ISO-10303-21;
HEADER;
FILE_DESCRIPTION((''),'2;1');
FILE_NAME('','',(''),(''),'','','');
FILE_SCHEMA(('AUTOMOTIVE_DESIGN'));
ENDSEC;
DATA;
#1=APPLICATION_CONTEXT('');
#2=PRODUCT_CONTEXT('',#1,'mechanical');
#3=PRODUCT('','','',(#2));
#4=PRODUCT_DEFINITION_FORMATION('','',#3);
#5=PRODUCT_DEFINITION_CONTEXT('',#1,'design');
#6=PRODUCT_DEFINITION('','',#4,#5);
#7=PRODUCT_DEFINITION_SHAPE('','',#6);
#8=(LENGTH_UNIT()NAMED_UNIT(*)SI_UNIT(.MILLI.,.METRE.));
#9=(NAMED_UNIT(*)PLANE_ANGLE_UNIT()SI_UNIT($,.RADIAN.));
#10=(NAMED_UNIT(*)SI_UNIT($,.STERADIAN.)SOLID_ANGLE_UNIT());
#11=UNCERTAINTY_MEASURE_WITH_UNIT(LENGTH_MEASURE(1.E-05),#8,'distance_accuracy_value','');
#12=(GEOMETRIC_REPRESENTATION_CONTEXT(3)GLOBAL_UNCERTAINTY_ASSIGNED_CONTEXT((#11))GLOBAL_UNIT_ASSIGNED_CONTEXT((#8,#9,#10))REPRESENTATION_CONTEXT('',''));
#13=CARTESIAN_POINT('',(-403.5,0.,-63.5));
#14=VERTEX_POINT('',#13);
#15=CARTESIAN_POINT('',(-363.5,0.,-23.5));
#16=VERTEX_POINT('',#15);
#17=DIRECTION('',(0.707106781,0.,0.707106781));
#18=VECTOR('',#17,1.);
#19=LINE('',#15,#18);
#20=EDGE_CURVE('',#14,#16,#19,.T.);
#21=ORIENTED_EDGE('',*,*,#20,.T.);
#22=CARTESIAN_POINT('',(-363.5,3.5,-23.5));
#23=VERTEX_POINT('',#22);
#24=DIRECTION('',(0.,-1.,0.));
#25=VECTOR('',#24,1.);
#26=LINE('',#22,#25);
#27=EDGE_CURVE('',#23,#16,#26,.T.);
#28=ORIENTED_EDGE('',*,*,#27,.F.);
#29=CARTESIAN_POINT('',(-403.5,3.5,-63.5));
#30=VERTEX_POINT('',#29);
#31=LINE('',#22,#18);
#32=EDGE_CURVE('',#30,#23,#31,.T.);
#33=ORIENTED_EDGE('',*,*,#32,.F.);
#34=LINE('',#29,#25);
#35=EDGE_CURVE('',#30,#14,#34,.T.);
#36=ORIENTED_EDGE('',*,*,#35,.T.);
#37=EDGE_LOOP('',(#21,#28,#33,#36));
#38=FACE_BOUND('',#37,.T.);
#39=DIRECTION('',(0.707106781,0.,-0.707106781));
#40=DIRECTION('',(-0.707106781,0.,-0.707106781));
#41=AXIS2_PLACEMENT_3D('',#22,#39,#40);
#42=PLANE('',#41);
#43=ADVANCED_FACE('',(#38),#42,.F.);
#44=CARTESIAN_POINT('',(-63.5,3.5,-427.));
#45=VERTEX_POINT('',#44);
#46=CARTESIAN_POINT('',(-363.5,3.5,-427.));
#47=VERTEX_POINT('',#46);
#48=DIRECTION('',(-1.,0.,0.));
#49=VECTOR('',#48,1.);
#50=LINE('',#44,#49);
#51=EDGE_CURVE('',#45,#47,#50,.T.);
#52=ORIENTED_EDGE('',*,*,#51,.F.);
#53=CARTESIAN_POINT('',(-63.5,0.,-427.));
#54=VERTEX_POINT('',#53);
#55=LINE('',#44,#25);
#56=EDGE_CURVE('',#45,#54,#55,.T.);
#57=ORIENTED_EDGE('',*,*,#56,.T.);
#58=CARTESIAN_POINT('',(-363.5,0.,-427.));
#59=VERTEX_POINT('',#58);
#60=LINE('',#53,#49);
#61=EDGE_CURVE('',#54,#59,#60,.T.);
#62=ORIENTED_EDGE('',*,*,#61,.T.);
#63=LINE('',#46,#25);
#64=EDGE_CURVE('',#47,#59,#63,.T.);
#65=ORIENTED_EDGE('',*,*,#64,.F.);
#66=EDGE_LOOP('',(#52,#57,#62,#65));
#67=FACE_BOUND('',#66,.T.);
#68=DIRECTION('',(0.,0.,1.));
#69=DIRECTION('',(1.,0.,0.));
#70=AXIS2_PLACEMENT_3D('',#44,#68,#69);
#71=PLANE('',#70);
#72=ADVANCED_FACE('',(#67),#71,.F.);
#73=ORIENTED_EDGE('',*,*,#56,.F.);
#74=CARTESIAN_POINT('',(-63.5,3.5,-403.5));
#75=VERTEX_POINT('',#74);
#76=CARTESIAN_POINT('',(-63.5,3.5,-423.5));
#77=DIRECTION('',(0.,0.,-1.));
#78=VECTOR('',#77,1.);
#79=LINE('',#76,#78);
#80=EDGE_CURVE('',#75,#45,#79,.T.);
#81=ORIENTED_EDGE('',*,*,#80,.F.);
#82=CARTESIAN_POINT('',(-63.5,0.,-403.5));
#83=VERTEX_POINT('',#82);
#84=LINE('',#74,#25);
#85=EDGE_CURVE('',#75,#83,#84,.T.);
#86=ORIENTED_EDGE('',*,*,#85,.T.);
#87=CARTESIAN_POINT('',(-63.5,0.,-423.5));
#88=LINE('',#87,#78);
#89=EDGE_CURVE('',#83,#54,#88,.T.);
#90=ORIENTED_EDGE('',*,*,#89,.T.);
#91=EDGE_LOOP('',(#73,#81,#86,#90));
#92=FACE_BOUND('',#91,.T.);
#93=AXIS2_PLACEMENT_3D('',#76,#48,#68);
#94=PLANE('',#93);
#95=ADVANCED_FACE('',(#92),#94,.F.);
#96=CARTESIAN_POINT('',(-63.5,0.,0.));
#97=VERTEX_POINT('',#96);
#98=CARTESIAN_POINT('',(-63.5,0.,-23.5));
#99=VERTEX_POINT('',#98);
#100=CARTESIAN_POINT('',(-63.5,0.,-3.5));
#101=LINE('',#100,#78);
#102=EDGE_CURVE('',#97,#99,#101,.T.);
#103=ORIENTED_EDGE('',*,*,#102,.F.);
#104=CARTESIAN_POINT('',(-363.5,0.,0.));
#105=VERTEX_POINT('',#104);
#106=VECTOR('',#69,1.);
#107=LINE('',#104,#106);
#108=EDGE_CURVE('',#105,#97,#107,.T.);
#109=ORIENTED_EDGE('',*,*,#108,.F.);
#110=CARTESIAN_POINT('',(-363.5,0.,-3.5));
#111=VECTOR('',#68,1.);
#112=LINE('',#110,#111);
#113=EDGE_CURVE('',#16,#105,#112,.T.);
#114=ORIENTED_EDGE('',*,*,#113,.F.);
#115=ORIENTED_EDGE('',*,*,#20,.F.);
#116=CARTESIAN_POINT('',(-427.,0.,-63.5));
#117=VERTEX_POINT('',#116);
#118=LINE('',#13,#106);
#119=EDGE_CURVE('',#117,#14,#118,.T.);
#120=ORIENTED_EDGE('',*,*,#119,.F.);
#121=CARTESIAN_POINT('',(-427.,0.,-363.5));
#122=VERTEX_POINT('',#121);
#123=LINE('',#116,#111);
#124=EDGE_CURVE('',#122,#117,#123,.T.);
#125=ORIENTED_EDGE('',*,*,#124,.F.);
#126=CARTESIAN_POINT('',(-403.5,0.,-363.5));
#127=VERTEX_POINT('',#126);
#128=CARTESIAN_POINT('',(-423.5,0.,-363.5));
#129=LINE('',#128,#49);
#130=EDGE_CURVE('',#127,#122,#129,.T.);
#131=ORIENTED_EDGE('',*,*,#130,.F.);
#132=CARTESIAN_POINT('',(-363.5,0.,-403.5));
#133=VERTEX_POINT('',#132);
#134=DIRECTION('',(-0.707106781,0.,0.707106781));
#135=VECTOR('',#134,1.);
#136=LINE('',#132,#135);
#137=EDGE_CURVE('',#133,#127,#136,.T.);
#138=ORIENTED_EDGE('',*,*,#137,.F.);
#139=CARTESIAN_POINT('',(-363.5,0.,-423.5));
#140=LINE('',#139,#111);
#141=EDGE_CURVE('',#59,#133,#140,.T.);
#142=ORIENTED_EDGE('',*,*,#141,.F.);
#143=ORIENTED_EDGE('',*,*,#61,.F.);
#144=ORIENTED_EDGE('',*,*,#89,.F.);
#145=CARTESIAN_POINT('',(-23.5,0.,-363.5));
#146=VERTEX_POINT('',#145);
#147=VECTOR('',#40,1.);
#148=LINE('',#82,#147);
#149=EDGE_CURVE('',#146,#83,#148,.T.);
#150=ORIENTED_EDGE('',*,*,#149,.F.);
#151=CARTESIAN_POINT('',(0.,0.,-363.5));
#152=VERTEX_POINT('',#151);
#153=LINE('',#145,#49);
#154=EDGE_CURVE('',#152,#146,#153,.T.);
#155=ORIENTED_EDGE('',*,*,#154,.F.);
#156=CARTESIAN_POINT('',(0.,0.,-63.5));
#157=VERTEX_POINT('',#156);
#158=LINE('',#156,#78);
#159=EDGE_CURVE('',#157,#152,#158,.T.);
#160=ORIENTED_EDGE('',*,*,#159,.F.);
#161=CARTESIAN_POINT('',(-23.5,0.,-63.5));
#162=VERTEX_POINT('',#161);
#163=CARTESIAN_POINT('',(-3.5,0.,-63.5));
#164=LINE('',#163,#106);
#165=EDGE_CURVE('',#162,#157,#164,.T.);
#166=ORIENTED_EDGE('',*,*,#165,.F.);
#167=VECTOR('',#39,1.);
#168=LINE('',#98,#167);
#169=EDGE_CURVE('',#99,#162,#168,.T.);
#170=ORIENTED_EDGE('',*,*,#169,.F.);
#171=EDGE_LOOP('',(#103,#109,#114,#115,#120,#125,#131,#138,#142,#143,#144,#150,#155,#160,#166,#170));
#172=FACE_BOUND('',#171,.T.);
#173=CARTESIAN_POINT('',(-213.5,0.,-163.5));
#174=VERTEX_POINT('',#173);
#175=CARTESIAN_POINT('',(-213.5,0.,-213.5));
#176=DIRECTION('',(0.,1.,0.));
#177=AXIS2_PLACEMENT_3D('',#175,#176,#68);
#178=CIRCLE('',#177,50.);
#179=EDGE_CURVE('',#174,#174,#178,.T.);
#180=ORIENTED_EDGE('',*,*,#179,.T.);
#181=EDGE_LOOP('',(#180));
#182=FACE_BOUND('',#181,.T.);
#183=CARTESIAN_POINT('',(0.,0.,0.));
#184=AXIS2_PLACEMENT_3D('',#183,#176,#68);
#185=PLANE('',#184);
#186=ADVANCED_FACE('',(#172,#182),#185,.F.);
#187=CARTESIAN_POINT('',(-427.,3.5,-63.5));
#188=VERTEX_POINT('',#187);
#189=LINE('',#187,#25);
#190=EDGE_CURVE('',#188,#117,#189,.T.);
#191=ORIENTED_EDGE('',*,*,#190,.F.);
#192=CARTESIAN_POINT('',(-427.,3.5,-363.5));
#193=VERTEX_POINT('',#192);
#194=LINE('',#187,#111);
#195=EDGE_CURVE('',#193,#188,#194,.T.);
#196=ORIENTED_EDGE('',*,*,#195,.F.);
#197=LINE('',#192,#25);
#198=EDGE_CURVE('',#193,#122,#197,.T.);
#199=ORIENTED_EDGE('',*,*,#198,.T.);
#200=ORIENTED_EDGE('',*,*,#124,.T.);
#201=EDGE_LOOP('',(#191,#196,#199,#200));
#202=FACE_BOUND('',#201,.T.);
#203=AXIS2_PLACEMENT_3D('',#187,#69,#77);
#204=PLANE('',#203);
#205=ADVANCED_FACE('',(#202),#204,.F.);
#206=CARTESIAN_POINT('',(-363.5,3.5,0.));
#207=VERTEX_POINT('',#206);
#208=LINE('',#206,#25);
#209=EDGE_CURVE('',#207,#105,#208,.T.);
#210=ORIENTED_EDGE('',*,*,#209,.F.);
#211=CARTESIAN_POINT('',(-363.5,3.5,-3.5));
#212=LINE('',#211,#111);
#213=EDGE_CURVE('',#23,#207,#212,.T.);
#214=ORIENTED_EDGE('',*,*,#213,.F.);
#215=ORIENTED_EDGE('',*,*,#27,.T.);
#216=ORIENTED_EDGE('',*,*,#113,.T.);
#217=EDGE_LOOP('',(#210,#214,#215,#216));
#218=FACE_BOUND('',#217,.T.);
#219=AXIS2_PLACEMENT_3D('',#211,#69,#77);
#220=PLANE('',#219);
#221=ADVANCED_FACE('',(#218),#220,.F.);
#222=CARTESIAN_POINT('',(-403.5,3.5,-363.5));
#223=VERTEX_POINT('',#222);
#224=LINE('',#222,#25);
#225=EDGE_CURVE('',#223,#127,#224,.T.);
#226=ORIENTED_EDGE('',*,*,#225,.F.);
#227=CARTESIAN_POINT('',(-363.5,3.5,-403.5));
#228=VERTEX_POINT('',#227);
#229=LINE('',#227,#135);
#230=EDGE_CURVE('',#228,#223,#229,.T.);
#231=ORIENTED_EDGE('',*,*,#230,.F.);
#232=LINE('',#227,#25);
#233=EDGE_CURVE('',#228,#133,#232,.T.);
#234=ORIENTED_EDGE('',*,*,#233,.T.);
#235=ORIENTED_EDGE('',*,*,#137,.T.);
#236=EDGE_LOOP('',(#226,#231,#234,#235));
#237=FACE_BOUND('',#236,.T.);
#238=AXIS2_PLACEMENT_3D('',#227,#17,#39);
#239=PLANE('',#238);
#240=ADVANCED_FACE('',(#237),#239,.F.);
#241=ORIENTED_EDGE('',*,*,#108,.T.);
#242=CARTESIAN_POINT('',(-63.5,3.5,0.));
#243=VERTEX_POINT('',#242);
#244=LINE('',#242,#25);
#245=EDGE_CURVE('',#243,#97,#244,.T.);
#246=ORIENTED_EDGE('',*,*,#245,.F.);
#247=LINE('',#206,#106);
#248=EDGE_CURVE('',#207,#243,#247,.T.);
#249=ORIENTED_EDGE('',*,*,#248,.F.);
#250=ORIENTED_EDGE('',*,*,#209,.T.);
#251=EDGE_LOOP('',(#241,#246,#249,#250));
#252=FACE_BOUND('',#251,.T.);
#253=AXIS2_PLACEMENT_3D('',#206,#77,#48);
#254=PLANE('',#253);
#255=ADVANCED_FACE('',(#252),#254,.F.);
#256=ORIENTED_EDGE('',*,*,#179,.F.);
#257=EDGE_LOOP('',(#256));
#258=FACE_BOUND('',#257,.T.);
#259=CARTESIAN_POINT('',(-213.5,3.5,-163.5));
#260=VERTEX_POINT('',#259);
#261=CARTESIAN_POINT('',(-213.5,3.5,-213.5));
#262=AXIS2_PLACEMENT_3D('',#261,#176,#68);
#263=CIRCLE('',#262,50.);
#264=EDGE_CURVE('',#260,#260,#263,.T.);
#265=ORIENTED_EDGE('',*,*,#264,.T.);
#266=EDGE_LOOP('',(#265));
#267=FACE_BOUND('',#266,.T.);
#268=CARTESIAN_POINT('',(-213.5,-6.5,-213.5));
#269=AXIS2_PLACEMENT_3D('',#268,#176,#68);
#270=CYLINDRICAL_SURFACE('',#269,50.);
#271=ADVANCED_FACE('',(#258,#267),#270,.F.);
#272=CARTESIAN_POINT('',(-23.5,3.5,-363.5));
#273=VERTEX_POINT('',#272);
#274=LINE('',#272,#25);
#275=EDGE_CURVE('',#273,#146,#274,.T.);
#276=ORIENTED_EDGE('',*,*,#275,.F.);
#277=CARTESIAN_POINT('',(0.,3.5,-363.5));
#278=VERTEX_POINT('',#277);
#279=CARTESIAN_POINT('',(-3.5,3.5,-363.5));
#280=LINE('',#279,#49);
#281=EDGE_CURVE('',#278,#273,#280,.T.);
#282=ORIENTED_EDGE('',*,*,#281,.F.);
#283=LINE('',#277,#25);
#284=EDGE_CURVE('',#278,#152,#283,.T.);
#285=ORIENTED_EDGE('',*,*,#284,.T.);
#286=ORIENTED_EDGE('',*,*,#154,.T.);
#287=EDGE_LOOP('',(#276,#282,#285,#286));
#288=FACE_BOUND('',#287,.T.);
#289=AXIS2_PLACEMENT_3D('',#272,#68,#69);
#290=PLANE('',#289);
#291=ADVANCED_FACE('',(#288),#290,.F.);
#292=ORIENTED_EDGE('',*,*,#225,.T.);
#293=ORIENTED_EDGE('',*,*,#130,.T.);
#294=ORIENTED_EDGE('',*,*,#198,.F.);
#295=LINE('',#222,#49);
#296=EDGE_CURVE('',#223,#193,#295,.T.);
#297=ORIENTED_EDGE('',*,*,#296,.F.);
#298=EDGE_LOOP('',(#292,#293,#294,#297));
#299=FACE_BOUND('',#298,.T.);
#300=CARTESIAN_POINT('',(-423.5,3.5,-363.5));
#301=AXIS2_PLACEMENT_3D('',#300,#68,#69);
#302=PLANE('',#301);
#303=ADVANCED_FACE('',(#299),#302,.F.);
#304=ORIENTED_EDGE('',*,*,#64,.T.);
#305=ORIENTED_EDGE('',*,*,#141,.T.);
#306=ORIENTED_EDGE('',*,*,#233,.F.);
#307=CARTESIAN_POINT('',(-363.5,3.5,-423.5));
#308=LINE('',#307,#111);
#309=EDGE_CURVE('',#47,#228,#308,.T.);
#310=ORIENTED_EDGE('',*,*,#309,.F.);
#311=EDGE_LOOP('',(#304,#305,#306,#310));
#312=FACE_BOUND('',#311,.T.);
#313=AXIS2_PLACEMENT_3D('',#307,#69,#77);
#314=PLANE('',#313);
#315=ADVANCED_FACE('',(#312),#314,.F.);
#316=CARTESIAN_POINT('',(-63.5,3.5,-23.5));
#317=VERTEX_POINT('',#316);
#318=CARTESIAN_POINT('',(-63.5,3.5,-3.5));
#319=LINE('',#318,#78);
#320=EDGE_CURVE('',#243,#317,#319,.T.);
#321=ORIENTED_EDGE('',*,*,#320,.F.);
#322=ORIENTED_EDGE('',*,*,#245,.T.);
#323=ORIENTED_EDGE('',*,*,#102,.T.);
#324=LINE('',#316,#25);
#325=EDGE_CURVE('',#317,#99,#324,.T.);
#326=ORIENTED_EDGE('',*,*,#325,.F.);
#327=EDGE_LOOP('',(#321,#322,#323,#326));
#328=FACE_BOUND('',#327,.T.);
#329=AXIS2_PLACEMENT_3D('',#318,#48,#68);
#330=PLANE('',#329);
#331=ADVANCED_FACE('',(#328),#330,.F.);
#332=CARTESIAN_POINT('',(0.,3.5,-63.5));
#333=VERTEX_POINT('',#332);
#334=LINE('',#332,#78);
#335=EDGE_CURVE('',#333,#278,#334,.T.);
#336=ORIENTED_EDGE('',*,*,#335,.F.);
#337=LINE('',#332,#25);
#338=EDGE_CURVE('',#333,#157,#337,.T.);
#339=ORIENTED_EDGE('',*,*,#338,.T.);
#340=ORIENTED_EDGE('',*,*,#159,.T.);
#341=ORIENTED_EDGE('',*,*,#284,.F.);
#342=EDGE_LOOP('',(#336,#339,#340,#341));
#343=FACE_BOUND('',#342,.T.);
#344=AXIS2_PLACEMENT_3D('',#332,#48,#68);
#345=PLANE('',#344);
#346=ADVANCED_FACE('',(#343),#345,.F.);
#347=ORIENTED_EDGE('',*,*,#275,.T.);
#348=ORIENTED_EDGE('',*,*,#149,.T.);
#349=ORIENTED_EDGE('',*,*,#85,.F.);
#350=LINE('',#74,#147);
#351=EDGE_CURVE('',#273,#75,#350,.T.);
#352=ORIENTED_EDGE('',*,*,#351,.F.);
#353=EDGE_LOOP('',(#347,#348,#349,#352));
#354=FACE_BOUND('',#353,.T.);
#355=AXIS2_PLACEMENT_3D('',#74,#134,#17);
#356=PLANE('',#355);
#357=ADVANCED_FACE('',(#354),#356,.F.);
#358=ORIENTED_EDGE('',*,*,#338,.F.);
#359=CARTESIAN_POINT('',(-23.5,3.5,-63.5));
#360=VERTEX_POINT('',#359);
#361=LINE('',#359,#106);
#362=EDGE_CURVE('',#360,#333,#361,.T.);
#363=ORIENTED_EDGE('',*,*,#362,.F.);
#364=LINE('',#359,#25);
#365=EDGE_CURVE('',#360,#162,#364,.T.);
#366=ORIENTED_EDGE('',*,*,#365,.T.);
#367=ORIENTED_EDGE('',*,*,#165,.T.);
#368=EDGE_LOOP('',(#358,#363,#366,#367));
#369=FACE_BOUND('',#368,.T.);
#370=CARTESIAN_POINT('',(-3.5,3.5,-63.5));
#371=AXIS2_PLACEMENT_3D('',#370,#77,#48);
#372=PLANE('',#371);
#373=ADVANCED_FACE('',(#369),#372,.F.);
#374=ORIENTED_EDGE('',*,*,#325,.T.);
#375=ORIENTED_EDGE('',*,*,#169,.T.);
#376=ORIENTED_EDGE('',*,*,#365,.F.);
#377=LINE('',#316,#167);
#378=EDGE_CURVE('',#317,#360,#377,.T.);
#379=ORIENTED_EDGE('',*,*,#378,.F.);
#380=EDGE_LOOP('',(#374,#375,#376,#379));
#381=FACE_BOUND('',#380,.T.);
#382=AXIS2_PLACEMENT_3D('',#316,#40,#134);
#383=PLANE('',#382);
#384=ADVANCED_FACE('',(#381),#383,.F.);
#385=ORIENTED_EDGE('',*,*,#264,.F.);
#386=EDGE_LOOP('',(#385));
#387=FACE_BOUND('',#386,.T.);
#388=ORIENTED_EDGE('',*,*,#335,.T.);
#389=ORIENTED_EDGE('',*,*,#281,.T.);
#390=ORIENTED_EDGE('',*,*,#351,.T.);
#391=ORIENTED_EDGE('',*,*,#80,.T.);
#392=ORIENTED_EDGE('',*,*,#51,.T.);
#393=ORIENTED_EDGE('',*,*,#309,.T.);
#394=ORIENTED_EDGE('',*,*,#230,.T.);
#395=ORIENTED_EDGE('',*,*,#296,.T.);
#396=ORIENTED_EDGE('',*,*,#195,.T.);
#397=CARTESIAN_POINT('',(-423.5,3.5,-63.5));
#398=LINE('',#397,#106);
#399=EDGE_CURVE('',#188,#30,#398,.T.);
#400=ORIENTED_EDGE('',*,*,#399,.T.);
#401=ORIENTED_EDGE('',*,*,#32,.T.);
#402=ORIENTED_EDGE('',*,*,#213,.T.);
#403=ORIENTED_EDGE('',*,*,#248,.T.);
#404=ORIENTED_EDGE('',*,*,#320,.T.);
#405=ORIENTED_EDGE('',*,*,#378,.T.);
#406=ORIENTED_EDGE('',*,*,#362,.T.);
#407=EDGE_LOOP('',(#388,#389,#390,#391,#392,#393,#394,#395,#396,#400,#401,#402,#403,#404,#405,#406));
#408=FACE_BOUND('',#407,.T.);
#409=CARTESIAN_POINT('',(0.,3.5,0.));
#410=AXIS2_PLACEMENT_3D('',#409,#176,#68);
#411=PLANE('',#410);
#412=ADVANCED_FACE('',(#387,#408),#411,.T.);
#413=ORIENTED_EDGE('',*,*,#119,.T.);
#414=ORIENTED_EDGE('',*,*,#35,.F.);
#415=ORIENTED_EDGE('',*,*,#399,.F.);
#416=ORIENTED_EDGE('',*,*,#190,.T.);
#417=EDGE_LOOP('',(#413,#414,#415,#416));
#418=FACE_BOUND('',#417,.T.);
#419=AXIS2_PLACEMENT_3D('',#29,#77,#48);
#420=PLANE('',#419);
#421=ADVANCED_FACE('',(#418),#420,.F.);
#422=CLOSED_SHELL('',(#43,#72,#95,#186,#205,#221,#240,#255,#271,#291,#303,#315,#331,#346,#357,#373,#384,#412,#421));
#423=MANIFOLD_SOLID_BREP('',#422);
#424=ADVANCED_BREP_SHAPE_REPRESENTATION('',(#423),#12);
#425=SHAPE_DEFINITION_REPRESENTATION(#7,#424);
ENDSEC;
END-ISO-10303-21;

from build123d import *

# Parameters (mm, degrees)
BOSS_EXTRUDE1_DEPTH = 3.5
SKETCH2_R           = 50
CUT_EXTRUDE1_DEPTH  = 10


with BuildPart() as part:
    # Sketch1 → Boss-Extrude1 (new body)
    with BuildSketch(Plane(origin=(0, 0, 0), x_dir=(1, 0, 0), z_dir=(0, 1, 0))):
        Polygon((-363.5, 423.5), (-363.5, 403.5), (-403.5, 363.5), (-423.5, 363.5), (-427, 363.5), (-427, 63.5), (-423.5, 63.5), (-403.5, 63.5), (-363.5, 23.5), (-363.5, 3.5), (-363.5, 0), (-63.5, 0), (-63.5, 3.5), (-63.5, 23.5), (-23.5, 63.5), (-3.5, 63.5), (0, 63.5), (0, 363.5), (-3.5, 363.5), (-23.5, 363.5), (-63.5, 403.5), (-63.5, 423.5), (-63.5, 427), (-363.5, 427), align=None)
    extrude(amount=BOSS_EXTRUDE1_DEPTH)

    # Sketch2 → Cut-Extrude1 (cut)
    with BuildSketch(Plane(origin=(0, 3.5, 0), x_dir=(1, 0, 0), z_dir=(0, 1, 0))):
        with Locations(Location((-213.5, 213.5, 0), (0, 0, 270))):
            Circle(SKETCH2_R)
    extrude(amount=-CUT_EXTRUDE1_DEPTH, mode=Mode.SUBTRACT)


solid = part.part
